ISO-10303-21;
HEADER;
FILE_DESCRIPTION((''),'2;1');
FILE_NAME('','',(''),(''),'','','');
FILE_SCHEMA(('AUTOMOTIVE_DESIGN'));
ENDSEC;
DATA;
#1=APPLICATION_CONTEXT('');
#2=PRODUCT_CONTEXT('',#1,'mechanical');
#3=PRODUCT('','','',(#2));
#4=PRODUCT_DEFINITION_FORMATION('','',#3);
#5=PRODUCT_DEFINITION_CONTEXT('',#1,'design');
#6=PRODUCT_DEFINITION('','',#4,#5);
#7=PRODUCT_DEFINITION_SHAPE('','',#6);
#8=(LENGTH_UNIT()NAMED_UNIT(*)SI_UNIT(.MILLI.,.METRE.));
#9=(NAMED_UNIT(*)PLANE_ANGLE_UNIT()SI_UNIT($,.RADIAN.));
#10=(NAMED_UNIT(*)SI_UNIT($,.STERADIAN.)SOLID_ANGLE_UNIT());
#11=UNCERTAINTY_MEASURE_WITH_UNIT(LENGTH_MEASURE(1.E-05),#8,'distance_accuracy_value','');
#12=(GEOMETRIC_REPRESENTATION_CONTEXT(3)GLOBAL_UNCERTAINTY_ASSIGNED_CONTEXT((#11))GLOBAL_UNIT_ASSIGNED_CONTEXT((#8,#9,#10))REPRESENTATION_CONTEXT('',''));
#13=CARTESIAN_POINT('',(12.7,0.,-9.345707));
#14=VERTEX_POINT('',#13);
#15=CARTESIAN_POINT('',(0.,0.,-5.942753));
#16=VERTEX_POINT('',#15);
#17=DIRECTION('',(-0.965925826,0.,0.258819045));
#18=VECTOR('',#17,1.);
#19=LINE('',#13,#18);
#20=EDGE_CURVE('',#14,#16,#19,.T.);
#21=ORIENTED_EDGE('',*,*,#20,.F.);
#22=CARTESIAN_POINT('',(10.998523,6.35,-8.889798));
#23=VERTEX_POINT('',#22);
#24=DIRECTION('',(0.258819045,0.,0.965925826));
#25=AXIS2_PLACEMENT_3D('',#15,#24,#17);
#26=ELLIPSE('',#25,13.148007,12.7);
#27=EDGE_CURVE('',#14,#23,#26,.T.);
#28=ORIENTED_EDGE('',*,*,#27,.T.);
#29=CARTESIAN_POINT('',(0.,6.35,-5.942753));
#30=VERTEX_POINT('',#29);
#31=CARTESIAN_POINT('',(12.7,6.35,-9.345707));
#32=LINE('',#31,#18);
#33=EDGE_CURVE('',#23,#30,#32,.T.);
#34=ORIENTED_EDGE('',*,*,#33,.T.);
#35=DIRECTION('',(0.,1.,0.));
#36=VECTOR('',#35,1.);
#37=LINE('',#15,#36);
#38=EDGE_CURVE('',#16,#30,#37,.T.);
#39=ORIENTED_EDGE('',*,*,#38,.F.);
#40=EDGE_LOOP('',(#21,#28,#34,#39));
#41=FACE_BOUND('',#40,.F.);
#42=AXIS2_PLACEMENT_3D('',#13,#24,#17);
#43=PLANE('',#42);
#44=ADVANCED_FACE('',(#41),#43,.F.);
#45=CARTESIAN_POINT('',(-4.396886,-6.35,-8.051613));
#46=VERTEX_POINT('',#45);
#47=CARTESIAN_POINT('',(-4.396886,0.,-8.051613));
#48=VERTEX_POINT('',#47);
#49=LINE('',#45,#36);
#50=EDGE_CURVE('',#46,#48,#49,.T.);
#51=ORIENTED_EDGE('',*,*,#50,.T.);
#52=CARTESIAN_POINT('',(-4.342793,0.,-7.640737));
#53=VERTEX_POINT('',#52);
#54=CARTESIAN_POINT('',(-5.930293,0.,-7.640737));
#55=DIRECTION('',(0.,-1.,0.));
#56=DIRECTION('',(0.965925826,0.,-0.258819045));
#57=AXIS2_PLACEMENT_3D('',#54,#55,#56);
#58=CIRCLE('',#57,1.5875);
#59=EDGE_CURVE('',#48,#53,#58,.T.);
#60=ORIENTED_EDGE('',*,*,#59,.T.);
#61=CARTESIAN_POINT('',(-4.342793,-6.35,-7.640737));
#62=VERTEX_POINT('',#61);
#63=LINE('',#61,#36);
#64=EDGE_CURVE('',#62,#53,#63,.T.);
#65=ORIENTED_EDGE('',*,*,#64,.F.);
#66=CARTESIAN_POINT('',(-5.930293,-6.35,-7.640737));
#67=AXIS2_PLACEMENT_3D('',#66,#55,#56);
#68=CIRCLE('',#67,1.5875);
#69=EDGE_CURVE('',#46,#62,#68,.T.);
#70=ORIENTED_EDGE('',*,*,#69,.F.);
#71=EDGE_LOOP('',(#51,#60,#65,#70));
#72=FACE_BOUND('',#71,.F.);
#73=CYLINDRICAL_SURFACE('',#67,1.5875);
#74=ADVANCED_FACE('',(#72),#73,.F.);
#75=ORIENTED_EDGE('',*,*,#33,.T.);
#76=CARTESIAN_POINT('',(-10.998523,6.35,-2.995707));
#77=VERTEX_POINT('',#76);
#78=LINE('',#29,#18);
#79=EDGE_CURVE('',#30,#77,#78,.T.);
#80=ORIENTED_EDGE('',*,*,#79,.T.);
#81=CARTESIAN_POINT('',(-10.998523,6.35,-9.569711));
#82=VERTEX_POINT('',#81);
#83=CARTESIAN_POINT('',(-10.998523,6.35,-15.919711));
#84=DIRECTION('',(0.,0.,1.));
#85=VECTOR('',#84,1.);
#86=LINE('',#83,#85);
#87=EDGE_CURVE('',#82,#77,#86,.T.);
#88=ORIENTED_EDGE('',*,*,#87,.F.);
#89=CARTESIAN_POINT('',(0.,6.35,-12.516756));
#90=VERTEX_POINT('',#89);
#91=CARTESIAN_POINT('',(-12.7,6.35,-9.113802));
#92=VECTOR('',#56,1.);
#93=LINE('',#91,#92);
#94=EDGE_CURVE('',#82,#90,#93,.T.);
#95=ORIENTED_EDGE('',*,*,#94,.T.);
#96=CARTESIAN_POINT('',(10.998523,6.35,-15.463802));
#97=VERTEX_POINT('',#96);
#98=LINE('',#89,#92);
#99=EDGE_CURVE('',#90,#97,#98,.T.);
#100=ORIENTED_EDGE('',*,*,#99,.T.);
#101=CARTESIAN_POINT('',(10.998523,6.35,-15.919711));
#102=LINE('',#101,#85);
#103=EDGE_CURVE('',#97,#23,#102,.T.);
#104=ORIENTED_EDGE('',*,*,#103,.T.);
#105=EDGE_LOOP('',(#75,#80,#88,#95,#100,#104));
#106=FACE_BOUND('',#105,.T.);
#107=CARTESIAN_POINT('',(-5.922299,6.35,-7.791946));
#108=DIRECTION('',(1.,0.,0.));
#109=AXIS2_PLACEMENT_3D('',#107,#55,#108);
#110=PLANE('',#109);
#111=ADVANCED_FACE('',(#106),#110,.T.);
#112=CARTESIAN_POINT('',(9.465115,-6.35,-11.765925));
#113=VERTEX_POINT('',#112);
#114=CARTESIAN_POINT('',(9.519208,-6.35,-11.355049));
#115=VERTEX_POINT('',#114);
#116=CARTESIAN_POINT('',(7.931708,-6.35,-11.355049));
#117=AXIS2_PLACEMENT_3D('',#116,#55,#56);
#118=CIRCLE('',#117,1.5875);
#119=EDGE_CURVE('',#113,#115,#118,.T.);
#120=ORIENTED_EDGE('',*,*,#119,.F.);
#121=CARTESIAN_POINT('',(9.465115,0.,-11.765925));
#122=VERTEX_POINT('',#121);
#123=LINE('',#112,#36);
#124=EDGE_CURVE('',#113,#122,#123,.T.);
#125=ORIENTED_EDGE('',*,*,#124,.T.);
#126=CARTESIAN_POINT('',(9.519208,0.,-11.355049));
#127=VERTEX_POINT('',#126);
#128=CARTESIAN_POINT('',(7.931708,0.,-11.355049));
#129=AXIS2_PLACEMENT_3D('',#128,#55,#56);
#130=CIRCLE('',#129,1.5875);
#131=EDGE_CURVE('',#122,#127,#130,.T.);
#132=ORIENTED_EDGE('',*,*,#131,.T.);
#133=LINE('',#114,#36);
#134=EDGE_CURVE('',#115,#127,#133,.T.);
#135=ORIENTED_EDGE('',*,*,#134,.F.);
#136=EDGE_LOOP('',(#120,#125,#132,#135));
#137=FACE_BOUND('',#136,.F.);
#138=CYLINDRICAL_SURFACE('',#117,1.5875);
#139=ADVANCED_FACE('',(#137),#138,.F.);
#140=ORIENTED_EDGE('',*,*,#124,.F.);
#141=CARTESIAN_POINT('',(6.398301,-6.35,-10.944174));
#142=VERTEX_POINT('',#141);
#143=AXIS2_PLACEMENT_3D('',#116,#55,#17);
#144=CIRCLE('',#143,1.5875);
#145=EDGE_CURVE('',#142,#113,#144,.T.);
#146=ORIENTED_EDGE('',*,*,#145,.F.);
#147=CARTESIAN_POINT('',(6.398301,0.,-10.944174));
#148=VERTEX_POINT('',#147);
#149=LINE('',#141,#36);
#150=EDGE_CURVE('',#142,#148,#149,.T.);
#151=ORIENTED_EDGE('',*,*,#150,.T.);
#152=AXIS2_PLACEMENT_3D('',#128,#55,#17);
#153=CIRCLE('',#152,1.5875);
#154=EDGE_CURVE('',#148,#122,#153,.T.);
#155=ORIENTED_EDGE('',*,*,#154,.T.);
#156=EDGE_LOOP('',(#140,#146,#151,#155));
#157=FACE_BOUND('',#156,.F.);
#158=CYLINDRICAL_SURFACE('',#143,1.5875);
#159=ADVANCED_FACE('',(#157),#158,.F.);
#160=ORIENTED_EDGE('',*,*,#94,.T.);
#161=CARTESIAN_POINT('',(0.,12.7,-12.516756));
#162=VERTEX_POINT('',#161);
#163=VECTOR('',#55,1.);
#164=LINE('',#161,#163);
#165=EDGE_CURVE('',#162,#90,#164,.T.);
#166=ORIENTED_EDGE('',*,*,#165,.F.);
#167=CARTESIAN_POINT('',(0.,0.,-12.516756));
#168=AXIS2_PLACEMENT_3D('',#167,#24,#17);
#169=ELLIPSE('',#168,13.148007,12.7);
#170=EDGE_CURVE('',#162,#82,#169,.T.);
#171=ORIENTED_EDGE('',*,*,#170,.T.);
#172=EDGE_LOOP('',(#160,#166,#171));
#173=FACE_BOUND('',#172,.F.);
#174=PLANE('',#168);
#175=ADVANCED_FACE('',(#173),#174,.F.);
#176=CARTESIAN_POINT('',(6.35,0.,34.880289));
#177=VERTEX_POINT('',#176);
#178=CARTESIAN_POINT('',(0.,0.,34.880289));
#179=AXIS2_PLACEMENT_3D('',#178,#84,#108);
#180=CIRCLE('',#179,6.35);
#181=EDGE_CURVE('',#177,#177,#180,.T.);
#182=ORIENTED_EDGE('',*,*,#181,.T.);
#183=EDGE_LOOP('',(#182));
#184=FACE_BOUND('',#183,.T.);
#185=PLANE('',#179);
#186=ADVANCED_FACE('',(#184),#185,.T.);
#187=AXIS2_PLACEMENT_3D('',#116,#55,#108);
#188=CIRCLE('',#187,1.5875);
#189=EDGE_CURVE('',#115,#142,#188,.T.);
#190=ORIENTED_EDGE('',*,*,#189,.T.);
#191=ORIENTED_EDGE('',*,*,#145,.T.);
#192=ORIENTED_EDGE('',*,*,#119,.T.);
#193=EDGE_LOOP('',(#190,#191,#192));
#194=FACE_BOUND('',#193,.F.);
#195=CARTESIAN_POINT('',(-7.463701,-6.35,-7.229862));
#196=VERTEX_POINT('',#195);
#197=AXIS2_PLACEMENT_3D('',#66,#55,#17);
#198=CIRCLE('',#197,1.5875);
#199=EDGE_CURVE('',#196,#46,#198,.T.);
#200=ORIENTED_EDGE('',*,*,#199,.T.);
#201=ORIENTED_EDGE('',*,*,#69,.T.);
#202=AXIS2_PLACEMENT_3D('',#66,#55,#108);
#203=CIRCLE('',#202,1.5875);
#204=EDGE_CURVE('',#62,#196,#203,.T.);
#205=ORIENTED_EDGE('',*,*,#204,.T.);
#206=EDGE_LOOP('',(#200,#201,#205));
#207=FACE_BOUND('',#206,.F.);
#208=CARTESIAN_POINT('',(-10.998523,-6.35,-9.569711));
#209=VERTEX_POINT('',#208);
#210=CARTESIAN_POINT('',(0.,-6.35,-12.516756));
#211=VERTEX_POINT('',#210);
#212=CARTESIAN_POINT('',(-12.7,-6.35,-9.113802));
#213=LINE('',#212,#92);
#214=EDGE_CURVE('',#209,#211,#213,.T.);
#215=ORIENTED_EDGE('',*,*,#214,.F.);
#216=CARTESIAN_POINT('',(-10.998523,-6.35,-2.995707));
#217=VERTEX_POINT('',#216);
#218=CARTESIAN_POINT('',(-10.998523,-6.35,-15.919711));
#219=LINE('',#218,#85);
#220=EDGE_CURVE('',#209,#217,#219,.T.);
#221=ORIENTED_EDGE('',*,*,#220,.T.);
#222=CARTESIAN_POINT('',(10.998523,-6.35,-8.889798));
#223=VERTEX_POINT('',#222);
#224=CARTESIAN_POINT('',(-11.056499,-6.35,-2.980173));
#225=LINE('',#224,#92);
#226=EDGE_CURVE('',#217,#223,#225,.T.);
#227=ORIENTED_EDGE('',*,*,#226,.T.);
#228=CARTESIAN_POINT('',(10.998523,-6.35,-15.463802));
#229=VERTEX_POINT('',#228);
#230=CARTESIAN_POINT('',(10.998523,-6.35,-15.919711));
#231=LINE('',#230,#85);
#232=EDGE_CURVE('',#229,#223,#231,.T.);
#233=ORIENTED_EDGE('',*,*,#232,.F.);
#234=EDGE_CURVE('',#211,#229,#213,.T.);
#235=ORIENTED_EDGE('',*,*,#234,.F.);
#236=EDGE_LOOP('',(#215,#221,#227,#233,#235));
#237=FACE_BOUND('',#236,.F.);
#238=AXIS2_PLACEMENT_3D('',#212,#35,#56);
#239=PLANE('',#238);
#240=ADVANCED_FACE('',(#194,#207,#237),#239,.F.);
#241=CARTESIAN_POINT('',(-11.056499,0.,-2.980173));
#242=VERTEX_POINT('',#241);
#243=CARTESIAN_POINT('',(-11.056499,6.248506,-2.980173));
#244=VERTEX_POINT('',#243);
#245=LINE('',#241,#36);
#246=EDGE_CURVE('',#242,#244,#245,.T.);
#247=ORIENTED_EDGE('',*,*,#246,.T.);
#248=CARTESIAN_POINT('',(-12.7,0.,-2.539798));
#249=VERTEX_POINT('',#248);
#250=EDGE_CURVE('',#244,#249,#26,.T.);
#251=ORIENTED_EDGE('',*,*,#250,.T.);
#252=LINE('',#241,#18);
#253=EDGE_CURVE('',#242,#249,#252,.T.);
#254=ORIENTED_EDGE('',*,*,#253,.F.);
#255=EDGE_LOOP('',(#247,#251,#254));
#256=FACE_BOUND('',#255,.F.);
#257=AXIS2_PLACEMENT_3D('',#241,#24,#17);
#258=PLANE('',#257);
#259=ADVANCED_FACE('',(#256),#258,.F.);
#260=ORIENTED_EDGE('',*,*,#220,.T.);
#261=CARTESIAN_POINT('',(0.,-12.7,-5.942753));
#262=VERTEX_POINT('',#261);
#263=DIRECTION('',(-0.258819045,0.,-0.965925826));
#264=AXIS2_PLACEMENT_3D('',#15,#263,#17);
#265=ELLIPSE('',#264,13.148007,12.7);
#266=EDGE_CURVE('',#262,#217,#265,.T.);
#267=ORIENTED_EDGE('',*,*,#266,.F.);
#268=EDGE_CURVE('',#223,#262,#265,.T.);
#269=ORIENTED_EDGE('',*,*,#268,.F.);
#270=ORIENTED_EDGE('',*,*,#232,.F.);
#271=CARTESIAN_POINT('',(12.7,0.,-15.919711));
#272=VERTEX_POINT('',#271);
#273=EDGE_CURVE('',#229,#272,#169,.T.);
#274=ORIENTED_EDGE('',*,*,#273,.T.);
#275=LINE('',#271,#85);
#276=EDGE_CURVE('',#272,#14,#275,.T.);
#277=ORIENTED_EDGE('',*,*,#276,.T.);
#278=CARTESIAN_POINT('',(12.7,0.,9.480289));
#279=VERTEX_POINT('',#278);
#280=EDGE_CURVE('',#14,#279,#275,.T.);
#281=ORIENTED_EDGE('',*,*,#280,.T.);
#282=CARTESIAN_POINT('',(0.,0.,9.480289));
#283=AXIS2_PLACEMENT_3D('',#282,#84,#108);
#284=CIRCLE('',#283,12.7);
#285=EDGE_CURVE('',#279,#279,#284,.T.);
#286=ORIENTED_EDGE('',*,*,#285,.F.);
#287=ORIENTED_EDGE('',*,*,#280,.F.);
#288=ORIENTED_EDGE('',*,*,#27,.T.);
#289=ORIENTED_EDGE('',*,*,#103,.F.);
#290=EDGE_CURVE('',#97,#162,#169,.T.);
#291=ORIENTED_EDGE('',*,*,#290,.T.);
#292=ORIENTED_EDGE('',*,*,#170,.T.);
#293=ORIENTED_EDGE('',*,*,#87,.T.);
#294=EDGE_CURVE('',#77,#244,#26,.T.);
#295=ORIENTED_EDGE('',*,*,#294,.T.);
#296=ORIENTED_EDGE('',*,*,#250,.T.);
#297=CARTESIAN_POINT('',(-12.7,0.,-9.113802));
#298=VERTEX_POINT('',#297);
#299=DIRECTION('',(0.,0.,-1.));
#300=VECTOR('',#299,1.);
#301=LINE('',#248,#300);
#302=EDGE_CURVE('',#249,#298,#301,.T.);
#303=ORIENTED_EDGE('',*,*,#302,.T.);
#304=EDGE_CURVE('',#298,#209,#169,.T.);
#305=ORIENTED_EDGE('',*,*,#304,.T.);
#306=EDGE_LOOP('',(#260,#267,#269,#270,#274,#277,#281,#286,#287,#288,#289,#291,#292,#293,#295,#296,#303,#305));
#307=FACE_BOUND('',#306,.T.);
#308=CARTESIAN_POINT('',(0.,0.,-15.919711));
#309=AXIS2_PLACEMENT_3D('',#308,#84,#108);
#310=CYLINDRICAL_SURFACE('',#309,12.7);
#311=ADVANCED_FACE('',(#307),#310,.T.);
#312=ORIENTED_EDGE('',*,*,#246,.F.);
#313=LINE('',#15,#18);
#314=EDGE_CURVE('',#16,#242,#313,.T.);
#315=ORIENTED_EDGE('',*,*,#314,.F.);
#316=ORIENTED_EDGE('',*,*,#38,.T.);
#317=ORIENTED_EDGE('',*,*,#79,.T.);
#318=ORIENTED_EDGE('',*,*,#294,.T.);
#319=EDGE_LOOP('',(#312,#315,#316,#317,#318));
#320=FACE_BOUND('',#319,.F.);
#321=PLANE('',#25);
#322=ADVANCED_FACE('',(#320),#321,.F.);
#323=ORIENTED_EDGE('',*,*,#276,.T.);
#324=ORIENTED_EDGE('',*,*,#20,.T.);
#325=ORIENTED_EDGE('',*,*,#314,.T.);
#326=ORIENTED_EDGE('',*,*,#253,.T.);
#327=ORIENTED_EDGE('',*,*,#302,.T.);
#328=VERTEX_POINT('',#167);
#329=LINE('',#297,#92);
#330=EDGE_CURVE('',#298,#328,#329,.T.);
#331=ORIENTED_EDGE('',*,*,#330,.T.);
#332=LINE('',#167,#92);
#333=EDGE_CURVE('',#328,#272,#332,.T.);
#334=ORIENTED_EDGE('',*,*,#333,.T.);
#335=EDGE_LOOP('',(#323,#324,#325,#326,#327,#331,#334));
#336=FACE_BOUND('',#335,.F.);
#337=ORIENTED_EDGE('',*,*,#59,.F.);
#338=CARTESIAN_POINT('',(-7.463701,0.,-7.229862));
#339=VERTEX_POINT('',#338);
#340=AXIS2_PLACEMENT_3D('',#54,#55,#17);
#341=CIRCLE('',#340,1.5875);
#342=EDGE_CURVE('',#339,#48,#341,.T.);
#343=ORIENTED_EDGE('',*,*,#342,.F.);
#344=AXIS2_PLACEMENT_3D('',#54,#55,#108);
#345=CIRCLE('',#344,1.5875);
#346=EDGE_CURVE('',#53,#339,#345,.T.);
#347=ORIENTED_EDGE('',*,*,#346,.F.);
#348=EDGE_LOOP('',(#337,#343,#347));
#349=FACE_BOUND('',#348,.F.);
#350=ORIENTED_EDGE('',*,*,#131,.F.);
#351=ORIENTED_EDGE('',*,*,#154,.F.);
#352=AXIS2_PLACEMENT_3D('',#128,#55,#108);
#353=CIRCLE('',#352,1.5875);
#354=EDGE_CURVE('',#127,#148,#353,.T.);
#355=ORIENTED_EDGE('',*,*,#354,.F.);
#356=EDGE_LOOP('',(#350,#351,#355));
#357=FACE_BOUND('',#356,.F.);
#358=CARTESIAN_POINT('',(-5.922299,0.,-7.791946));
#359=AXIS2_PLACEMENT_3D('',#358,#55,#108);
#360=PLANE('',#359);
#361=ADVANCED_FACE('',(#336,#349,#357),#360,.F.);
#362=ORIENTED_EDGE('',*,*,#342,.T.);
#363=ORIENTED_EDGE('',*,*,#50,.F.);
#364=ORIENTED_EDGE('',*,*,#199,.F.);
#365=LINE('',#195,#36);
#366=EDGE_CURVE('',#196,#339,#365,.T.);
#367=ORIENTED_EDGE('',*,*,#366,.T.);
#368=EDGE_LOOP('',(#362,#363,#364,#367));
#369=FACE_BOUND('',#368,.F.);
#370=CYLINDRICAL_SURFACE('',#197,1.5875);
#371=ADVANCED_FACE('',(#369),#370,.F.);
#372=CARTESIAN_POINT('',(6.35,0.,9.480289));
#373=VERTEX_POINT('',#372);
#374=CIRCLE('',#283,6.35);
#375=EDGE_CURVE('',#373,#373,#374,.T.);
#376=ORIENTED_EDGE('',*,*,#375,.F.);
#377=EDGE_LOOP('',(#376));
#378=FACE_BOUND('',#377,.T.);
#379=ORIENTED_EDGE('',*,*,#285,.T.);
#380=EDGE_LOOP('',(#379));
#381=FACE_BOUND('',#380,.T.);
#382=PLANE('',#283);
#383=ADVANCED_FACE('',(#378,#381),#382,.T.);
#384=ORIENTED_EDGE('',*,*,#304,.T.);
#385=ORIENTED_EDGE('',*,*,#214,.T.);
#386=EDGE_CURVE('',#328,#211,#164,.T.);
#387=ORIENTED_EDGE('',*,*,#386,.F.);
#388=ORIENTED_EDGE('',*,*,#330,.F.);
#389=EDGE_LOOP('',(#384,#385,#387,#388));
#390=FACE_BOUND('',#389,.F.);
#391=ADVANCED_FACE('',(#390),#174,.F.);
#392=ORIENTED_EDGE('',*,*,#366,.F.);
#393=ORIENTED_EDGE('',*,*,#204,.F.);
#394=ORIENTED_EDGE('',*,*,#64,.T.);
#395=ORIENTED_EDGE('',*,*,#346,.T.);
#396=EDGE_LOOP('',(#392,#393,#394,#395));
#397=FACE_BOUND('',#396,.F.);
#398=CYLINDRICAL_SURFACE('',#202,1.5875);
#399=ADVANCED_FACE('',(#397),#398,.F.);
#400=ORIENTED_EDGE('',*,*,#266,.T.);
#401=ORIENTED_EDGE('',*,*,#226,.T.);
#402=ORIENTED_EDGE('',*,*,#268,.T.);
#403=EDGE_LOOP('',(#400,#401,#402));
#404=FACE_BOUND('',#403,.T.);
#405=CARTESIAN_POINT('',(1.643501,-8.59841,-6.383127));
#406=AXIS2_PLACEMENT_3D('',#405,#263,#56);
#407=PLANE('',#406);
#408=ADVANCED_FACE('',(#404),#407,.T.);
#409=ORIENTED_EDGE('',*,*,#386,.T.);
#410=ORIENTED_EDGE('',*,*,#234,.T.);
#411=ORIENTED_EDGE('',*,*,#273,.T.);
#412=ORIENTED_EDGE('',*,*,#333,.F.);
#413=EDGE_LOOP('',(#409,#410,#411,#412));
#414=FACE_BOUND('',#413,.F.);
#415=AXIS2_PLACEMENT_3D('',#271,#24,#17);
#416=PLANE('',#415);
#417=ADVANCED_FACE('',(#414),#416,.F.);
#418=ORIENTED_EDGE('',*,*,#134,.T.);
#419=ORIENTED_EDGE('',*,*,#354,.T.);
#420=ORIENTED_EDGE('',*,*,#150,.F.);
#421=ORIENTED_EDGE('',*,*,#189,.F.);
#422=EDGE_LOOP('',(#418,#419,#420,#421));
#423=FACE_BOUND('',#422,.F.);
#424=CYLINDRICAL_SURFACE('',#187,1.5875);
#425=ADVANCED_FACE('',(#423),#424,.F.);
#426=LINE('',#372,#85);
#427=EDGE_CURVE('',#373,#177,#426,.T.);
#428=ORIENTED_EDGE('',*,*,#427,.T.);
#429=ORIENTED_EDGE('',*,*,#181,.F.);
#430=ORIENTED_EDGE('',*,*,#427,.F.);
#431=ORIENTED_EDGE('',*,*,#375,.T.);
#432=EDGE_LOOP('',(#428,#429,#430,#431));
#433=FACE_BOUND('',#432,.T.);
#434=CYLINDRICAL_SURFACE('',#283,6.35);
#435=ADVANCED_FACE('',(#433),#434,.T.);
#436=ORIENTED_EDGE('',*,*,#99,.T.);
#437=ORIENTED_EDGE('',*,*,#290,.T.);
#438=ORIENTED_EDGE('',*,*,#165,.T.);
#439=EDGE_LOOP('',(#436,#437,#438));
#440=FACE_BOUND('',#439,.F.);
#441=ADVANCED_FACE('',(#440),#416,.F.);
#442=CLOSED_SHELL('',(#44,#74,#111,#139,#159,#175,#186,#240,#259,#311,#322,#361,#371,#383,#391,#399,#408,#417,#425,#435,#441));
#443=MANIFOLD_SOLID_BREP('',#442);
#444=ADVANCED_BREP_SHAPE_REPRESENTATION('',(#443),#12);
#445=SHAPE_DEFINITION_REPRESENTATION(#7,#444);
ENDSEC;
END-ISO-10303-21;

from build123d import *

# Parameters (mm, degrees)
F2_DEPTH = 12.7
F3_DEPTH = 6.35
F4_W     = 1.7614989947
F4_H     = 6.35
F5_DEPTH = 6.35
F7_DEPTH = 6.35


with BuildPart() as f1:
    # F0 (on Front) → F1 (revolve)
    with BuildSketch(Plane.XZ):
        Polygon((12.7, 9.4802887884), (6.35, 9.4802887884), (6.35, 34.8802887884), (0, 34.8802887884), (0, -5.9427527222), (12.7, -9.345707466), align=None)
        Polygon((0, -15.9197112116), (12.7, -15.9197112116), (0, -12.5167564678), align=None)
        Polygon((12.7, -15.9197112116), (12.7, -9.345707466), (0, -5.9427527222), (0, -12.5167564678), align=None)
    revolve(axis=Axis((0, 0, 9.4802887884), (0, 0, 1)))

    # F0 (on Front) → F2 (cut, symmetric)
    with BuildSketch(Plane.XZ):
        Polygon((-12.7, -15.9197112116), (0, -15.9197112116), (0, -12.5167564678), (-12.7, -9.1138017239), align=None)
        Polygon((0, -15.9197112116), (12.7, -15.9197112116), (0, -12.5167564678), align=None)
    extrude(amount=F2_DEPTH, both=True, mode=Mode.SUBTRACT)

    # F0 (on Front) → F3 (cut)
    with BuildSketch(Plane.XZ):
        Polygon((0, -12.5167564678), (0, -5.9427527222), (-11.0564990636, -2.980172727), (-12.7, -9.1138017239), align=None)
        Polygon((12.7, -15.9197112116), (12.7, -9.345707466), (0, -5.9427527222), (0, -12.5167564678), align=None)
        Polygon((-12.7, -9.1138017239), (-11.0564990636, -2.980172727), (-12.7, -2.5397979783), align=None)
    extrude(amount=-F3_DEPTH, mode=Mode.SUBTRACT)

    # F4 (on face) → F5 (cut)
    with BuildSketch(Plane(origin=(-3.1291891169, 0, -11.6782927709), x_dir=(0.9659258263, 0, -0.2588190451), z_dir=(-0.2588190451, 0, -0.9659258263))):
        with BuildLine():
            Line((-8.1469335398, 6.35), (3.5889137071, 6.35))
            Line((3.5889137071, 6.35), (14.6260834533, 6.35))
            add(Edge.make_bspline(
                [(3.2395749568, 12.7), (10.8305806211, 12.7), (14.6260834533, 6.35)],
                knots=[1.5707963268, 1.5707963268, 1.5707963268, 2.6058232788, 2.6058232788, 2.6058232788], degree=2, weights=[1, 0.8070072037, 0.8683475024]))
            add(Edge.make_bspline(
                [(-8.1469335398, 6.35), (-4.3514307076, 12.7), (3.2395749568, 12.7)],
                knots=[0.5357693748, 0.5357693748, 0.5357693748, 1.5707963268, 1.5707963268, 1.5707963268], degree=2, weights=[0.8683475024, 0.8070072037, 1]))
        make_face()
        with BuildLine():
            Line((-8.1469335398, 12.7), (-8.1469335398, 6.35))
            add(Edge.make_bspline(
                [(-8.1469335398, 6.35), (-4.3514307076, 12.7), (3.2395749568, 12.7)],
                knots=[0.5357693748, 0.5357693748, 0.5357693748, 1.5707963268, 1.5707963268, 1.5707963268], degree=2, weights=[0.8683475024, 0.8070072037, 1]))
            Line((3.2395749568, 12.7), (-8.1469335398, 12.7))
        make_face()
        with Locations((-9.0276830371, 9.525)):
            Rectangle(F4_W, F4_H)
    extrude(amount=-F5_DEPTH, mode=Mode.SUBTRACT)

    # F6 (on face) → F7 (cut)
    with BuildSketch(Plane.XZ.offset(6.35)):
        with BuildLine():
            Line((-4.3968861542, -8.0516125007), (-7.4637006527, -7.2298620325))
            ThreePointArc((-7.4637006527, -7.2298620325), (-6.3411686376, -9.1741445159), (-4.3968861542, -8.0516125007))
        make_face()
        with BuildLine():
            ThreePointArc((-4.3427934035, -7.6407372666), (-5.7230830733, -6.0668185492), (-7.4637006527, -7.2298620325))
            Line((-7.4637006527, -7.2298620325), (-4.3968861542, -8.0516125007))
            ThreePointArc((-4.3968861542, -8.0516125007), (-4.356374686, -7.8479475968), (-4.3427934035, -7.6407372666))
        make_face()
        with BuildLine():
            Line((6.3983008804, -10.9441741488), (9.4651153788, -11.765924617))
            ThreePointArc((9.4651153788, -11.765924617), (9.505626847, -11.562259713), (9.5192081296, -11.3550493829))
            ThreePointArc((9.5192081296, -11.3550493829), (8.1389184597, -9.7811306655), (6.3983008804, -10.9441741488))
        make_face()
        with BuildLine():
            ThreePointArc((6.3983008804, -10.9441741488), (7.5208328955, -12.8884566321), (9.4651153788, -11.765924617))
            Line((9.4651153788, -11.765924617), (6.3983008804, -10.9441741488))
        make_face()
    extrude(amount=-F7_DEPTH, mode=Mode.SUBTRACT)


solid = f1.part
